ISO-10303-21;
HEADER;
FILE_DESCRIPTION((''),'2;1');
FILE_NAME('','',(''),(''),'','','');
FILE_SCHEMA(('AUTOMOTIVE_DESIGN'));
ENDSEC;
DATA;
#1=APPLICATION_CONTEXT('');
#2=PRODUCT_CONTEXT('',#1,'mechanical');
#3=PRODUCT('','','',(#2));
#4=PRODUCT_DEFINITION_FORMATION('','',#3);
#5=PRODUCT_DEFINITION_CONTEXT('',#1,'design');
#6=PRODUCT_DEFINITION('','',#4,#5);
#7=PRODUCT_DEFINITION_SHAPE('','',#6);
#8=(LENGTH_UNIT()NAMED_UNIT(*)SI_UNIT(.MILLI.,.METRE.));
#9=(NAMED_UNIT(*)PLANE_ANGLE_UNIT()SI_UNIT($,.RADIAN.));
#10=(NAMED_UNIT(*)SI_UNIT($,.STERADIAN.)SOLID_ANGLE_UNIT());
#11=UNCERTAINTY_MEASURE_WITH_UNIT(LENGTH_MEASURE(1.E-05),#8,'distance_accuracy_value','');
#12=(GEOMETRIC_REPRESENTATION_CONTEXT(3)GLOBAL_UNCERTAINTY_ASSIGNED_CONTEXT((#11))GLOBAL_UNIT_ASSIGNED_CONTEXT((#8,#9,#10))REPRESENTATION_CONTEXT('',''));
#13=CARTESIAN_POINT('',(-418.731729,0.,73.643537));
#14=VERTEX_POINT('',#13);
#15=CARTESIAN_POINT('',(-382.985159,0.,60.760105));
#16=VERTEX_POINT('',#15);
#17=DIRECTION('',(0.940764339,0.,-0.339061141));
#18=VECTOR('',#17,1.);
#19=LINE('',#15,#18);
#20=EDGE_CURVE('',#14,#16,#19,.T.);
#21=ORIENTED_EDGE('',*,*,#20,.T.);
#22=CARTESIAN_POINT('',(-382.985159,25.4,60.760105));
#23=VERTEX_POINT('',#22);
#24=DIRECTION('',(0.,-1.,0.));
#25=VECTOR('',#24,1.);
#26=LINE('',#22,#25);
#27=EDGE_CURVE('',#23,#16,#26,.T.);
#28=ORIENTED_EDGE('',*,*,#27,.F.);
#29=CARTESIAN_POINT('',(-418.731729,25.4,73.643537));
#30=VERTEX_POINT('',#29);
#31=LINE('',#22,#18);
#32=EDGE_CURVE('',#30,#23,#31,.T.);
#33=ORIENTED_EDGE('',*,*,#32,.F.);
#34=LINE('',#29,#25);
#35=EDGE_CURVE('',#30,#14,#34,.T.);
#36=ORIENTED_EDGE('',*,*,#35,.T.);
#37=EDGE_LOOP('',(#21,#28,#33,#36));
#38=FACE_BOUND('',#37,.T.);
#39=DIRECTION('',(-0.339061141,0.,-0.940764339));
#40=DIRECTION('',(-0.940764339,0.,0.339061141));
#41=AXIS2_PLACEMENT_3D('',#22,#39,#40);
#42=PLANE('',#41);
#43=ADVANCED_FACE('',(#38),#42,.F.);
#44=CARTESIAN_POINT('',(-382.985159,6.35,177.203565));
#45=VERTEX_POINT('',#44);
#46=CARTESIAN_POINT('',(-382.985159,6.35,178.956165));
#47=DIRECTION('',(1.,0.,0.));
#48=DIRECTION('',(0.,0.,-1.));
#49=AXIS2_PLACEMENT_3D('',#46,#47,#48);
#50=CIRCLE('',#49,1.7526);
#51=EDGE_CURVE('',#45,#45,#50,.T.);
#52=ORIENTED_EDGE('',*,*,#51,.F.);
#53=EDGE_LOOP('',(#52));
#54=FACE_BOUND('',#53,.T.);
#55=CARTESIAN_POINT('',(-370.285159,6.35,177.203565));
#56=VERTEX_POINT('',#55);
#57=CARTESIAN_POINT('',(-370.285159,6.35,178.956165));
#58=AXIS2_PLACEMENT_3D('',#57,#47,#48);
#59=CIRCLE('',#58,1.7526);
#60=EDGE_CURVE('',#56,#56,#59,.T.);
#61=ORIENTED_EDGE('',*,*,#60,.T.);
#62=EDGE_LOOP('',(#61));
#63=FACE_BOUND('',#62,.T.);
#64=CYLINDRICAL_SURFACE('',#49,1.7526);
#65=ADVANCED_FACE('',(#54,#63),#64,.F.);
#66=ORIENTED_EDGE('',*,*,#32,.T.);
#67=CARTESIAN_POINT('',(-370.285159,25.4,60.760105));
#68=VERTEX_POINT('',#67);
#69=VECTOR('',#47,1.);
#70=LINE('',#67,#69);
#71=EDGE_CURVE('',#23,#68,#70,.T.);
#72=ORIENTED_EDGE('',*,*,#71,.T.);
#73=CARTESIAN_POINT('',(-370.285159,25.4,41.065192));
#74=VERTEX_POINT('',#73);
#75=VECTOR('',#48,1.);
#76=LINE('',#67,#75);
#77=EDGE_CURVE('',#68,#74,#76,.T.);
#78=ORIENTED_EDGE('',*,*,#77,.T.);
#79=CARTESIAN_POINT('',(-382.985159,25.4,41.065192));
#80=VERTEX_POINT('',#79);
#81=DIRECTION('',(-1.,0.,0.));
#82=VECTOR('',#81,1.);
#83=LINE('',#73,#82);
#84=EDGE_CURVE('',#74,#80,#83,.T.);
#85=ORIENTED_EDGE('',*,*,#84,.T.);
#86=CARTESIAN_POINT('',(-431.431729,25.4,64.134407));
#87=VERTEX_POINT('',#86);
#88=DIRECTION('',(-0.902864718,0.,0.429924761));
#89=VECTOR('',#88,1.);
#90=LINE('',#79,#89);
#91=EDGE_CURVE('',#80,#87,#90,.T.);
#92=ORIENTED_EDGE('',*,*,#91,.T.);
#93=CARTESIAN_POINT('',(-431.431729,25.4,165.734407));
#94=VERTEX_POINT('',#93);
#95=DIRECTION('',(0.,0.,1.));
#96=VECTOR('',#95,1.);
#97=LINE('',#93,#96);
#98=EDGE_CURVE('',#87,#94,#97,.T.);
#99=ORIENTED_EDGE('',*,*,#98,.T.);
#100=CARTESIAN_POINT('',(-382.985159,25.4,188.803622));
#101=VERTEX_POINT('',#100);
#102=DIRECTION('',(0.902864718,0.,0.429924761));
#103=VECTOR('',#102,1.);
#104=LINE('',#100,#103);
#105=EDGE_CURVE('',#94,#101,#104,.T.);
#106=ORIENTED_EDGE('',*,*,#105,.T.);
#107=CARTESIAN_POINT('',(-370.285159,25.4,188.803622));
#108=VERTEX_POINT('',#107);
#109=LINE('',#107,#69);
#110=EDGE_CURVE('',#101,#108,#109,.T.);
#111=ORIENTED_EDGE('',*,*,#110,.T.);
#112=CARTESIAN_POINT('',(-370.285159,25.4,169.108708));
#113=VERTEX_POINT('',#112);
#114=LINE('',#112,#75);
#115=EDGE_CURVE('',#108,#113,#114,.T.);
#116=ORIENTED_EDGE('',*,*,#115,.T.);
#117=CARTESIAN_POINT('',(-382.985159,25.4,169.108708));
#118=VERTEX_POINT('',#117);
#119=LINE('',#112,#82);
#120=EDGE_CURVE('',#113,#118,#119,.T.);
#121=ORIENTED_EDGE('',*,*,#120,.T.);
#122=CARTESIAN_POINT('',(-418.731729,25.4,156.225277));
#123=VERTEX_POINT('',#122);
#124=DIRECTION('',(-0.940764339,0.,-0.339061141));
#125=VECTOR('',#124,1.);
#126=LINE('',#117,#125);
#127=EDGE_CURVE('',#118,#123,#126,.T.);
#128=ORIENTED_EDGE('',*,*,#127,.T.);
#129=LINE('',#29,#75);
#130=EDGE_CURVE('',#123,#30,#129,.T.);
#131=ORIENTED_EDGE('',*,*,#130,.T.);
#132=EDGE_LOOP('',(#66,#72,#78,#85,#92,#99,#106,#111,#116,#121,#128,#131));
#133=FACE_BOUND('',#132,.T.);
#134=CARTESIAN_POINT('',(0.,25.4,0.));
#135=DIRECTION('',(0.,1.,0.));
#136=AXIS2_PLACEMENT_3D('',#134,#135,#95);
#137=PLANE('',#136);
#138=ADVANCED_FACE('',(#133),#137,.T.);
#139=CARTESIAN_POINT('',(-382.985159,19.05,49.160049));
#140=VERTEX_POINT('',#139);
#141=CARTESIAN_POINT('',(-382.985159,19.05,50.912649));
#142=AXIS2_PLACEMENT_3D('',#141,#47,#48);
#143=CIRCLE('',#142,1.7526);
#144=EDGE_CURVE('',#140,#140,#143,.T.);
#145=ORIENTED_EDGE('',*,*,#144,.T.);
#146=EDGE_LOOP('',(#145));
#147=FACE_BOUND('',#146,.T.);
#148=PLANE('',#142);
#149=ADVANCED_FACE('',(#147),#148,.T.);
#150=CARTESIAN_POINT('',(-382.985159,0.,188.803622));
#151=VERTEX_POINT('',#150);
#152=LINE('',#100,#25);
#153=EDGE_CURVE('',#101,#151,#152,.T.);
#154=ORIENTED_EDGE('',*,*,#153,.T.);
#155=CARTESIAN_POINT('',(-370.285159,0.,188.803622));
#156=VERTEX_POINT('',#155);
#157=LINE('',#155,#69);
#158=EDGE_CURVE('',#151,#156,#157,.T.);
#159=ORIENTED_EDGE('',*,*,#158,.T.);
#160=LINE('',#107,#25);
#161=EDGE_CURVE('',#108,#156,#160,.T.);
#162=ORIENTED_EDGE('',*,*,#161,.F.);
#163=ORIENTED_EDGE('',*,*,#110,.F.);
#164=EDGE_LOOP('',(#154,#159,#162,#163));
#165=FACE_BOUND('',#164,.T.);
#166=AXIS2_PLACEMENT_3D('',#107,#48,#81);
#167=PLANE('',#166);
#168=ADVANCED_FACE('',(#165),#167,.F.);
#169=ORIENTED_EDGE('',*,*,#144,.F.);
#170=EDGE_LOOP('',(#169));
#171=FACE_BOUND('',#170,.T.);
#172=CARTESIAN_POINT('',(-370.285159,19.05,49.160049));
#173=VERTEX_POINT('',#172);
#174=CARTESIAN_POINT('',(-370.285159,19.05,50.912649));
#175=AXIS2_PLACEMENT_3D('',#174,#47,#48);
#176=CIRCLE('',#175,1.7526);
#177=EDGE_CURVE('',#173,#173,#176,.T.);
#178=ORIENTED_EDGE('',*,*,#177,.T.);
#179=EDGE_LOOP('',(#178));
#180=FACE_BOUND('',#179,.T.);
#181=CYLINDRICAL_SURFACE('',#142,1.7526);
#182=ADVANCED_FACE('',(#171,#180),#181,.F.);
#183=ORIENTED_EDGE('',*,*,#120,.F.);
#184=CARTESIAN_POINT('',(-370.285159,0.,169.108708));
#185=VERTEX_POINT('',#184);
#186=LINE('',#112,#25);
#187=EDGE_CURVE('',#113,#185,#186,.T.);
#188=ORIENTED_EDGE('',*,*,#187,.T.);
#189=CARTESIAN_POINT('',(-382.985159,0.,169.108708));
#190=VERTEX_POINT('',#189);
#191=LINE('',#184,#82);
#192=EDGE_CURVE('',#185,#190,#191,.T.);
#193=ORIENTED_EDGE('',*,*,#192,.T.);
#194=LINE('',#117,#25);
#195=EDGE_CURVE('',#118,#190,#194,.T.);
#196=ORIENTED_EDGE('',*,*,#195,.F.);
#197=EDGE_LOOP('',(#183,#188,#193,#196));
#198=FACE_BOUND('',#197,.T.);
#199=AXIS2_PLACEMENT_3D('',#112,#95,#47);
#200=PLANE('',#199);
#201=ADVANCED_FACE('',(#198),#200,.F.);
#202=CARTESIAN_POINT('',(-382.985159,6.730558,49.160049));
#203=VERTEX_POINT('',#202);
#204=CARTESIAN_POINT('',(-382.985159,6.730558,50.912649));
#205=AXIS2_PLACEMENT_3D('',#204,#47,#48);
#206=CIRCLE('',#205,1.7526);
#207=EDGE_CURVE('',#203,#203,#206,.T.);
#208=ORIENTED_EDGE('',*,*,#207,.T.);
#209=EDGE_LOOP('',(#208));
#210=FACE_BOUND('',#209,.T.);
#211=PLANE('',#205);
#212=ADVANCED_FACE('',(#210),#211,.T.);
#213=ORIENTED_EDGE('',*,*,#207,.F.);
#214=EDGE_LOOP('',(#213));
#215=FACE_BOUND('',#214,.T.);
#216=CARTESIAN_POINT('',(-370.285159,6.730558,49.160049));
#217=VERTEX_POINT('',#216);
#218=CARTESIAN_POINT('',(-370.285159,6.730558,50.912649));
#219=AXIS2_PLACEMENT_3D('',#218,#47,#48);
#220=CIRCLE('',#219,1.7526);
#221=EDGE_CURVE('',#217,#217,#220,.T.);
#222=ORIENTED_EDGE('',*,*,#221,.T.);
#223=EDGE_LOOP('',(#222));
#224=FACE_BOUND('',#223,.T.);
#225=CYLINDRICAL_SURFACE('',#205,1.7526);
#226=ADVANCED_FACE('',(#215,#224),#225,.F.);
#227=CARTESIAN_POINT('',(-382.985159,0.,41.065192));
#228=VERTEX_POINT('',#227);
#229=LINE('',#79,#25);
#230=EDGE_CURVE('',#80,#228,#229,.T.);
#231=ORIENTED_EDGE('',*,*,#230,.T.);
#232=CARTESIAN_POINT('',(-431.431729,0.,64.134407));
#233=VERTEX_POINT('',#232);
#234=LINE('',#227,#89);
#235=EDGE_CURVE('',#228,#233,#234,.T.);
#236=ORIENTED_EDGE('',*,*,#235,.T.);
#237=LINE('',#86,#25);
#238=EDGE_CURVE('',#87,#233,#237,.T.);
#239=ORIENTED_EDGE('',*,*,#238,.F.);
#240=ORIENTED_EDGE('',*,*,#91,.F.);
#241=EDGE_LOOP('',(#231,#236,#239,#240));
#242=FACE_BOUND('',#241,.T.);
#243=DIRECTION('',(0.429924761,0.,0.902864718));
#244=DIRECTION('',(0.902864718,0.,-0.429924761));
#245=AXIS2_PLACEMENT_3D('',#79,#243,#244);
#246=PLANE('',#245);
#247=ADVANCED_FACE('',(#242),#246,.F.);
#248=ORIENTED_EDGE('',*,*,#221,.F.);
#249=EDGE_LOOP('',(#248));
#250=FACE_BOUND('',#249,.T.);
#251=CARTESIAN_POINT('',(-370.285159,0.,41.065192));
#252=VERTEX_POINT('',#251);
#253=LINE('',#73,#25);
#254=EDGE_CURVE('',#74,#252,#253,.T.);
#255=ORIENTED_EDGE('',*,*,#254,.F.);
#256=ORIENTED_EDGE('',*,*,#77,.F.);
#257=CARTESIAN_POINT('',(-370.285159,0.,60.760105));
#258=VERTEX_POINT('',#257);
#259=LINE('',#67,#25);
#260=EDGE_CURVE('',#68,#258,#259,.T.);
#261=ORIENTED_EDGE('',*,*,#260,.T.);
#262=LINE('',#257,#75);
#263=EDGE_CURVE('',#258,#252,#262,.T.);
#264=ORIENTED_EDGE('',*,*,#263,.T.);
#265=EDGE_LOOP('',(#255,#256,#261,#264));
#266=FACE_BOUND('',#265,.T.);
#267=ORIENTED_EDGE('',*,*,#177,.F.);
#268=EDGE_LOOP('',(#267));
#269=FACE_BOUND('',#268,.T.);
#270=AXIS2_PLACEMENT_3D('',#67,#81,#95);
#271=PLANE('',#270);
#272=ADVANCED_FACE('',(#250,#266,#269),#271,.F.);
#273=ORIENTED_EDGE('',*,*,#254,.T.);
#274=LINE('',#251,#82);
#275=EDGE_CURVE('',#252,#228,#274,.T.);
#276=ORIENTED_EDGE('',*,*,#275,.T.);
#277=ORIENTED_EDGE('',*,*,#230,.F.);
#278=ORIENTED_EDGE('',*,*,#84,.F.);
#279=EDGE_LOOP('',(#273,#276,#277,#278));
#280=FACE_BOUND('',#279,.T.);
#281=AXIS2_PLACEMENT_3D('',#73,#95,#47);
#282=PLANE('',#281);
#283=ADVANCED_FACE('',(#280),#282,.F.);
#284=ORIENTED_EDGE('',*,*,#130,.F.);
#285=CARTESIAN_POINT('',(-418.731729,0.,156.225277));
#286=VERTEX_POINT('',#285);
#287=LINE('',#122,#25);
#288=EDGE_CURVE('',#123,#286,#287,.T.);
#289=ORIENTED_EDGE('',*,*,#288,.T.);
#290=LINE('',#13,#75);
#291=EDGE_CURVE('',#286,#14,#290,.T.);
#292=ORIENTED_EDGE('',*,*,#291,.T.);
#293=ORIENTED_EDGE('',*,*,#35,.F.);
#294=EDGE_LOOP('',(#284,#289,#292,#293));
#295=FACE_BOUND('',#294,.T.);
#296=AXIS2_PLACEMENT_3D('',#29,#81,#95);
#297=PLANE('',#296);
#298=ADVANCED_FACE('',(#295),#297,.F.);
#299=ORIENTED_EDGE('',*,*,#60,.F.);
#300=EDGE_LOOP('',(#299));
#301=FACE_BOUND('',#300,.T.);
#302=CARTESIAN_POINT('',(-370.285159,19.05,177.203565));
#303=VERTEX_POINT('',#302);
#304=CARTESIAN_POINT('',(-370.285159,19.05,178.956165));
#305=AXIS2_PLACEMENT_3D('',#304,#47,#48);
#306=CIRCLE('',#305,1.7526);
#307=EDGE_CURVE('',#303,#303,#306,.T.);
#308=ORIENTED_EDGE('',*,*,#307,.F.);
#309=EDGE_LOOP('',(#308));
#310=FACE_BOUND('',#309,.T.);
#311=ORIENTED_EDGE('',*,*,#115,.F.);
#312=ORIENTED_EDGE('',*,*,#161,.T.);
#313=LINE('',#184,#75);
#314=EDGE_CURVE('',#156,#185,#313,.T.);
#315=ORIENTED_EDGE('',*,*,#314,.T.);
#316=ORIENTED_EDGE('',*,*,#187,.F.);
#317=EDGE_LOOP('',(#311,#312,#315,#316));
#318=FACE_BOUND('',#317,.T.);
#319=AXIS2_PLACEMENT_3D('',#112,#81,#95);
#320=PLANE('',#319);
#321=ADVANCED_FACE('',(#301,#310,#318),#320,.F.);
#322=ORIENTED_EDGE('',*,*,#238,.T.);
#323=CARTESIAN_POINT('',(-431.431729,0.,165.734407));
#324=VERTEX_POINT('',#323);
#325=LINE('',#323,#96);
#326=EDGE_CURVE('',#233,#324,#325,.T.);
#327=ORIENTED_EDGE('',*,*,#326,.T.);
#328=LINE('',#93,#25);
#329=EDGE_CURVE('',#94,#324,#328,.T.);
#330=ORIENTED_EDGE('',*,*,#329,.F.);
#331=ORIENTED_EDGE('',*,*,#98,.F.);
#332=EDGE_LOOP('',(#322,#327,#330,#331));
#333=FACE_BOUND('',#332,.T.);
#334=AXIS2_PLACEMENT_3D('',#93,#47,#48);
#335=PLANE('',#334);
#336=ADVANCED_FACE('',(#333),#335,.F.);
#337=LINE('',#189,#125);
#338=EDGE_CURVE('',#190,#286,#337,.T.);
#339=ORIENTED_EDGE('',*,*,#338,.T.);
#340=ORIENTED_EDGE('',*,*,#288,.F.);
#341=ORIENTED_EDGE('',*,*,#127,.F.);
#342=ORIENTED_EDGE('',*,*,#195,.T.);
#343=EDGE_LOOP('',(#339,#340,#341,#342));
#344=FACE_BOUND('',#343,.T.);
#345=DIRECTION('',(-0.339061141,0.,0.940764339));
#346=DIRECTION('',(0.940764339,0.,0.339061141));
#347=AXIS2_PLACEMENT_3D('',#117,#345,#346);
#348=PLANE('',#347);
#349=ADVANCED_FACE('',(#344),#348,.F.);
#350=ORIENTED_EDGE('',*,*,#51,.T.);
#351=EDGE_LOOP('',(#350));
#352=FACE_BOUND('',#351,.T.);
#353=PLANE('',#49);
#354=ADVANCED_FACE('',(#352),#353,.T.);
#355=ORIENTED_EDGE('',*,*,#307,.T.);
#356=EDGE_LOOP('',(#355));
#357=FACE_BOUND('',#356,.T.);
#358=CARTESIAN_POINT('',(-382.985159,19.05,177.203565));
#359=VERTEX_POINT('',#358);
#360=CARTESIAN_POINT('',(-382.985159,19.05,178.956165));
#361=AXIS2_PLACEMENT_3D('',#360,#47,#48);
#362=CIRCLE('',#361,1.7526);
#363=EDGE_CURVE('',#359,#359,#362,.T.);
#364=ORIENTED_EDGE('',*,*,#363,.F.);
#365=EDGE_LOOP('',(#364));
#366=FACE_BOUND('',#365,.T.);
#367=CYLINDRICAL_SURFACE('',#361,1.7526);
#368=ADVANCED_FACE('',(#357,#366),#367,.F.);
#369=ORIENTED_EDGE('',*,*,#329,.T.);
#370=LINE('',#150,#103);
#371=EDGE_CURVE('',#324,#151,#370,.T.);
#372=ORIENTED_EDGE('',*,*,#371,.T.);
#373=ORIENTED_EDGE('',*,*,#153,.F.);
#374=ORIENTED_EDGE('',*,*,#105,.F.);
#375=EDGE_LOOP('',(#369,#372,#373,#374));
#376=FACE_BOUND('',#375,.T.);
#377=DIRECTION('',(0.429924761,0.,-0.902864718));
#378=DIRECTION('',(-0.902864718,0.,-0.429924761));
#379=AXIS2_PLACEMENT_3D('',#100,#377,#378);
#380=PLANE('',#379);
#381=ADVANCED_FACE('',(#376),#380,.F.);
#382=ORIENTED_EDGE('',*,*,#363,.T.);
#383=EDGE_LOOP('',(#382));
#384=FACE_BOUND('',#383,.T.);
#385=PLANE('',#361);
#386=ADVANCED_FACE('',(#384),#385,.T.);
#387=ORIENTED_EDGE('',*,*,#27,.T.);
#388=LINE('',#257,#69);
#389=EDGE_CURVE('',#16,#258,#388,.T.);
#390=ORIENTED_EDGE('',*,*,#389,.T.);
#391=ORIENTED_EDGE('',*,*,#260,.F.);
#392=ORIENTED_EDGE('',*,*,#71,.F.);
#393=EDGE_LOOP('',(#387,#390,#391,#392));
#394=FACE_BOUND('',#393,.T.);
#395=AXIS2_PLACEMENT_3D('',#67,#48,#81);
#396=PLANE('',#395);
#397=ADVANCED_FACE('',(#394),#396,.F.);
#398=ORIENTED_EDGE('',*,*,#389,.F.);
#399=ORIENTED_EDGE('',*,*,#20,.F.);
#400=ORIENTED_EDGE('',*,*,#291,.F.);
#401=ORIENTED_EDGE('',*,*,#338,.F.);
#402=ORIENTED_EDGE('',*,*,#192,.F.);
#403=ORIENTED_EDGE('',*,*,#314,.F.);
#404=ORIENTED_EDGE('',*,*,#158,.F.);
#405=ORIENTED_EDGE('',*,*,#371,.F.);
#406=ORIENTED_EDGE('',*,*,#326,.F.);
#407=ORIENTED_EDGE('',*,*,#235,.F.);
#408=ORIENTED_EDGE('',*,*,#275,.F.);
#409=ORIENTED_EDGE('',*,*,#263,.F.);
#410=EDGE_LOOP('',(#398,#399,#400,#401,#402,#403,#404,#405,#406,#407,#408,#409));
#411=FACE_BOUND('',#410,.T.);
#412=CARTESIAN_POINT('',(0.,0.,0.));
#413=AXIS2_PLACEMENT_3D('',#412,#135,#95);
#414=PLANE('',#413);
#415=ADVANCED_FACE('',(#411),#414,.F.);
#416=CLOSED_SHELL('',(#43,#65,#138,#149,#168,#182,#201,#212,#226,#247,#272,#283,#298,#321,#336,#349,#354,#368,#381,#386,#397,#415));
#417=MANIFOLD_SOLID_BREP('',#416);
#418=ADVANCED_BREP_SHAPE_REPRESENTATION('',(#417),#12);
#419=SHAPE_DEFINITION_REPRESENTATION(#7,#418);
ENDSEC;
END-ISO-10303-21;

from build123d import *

# Parameters (mm, degrees)
BOSS_EXTRUDE1_DEPTH = 25.4
SKETCH2_R           = 1.7526
CUT_EXTRUDE1_DEPTH  = 12.7


with BuildPart() as part:
    # Sketch1 → Boss-Extrude1 (new body)
    with BuildSketch(Plane(origin=(0, 0, 0), x_dir=(1, 0, 0), z_dir=(0, 1, 0))):
        Polygon((-370.285159183, -60.760105329), (-370.285159183, -41.065192094), (-382.985159183, -41.065192094), (-431.431729332, -64.13440686), (-431.431729332, -165.73440686), (-382.985159183, -188.803621626), (-370.285159183, -188.803621626), (-370.285159183, -169.10870839), (-382.985159183, -169.10870839), (-418.731729332, -156.225276946), (-418.731729332, -73.643536773), (-382.985159183, -60.760105329), align=None)
    extrude(amount=BOSS_EXTRUDE1_DEPTH)

    # Sketch2 → Cut-Extrude1 (cut)
    with BuildSketch(Plane(origin=(-370.285159183, 0, 0), x_dir=(0, 0, -1), z_dir=(1, 0, 0))):
        with Locations((-178.956165008, 19.05)):
            Circle(SKETCH2_R)
        with Locations((-178.956165008, 6.35)):
            Circle(SKETCH2_R)
        with Locations((-50.912648711, 6.73055807)):
            Circle(SKETCH2_R)
        with Locations((-50.912648711, 19.05)):
            Circle(SKETCH2_R)
    extrude(amount=-CUT_EXTRUDE1_DEPTH, mode=Mode.SUBTRACT)


solid = part.part
